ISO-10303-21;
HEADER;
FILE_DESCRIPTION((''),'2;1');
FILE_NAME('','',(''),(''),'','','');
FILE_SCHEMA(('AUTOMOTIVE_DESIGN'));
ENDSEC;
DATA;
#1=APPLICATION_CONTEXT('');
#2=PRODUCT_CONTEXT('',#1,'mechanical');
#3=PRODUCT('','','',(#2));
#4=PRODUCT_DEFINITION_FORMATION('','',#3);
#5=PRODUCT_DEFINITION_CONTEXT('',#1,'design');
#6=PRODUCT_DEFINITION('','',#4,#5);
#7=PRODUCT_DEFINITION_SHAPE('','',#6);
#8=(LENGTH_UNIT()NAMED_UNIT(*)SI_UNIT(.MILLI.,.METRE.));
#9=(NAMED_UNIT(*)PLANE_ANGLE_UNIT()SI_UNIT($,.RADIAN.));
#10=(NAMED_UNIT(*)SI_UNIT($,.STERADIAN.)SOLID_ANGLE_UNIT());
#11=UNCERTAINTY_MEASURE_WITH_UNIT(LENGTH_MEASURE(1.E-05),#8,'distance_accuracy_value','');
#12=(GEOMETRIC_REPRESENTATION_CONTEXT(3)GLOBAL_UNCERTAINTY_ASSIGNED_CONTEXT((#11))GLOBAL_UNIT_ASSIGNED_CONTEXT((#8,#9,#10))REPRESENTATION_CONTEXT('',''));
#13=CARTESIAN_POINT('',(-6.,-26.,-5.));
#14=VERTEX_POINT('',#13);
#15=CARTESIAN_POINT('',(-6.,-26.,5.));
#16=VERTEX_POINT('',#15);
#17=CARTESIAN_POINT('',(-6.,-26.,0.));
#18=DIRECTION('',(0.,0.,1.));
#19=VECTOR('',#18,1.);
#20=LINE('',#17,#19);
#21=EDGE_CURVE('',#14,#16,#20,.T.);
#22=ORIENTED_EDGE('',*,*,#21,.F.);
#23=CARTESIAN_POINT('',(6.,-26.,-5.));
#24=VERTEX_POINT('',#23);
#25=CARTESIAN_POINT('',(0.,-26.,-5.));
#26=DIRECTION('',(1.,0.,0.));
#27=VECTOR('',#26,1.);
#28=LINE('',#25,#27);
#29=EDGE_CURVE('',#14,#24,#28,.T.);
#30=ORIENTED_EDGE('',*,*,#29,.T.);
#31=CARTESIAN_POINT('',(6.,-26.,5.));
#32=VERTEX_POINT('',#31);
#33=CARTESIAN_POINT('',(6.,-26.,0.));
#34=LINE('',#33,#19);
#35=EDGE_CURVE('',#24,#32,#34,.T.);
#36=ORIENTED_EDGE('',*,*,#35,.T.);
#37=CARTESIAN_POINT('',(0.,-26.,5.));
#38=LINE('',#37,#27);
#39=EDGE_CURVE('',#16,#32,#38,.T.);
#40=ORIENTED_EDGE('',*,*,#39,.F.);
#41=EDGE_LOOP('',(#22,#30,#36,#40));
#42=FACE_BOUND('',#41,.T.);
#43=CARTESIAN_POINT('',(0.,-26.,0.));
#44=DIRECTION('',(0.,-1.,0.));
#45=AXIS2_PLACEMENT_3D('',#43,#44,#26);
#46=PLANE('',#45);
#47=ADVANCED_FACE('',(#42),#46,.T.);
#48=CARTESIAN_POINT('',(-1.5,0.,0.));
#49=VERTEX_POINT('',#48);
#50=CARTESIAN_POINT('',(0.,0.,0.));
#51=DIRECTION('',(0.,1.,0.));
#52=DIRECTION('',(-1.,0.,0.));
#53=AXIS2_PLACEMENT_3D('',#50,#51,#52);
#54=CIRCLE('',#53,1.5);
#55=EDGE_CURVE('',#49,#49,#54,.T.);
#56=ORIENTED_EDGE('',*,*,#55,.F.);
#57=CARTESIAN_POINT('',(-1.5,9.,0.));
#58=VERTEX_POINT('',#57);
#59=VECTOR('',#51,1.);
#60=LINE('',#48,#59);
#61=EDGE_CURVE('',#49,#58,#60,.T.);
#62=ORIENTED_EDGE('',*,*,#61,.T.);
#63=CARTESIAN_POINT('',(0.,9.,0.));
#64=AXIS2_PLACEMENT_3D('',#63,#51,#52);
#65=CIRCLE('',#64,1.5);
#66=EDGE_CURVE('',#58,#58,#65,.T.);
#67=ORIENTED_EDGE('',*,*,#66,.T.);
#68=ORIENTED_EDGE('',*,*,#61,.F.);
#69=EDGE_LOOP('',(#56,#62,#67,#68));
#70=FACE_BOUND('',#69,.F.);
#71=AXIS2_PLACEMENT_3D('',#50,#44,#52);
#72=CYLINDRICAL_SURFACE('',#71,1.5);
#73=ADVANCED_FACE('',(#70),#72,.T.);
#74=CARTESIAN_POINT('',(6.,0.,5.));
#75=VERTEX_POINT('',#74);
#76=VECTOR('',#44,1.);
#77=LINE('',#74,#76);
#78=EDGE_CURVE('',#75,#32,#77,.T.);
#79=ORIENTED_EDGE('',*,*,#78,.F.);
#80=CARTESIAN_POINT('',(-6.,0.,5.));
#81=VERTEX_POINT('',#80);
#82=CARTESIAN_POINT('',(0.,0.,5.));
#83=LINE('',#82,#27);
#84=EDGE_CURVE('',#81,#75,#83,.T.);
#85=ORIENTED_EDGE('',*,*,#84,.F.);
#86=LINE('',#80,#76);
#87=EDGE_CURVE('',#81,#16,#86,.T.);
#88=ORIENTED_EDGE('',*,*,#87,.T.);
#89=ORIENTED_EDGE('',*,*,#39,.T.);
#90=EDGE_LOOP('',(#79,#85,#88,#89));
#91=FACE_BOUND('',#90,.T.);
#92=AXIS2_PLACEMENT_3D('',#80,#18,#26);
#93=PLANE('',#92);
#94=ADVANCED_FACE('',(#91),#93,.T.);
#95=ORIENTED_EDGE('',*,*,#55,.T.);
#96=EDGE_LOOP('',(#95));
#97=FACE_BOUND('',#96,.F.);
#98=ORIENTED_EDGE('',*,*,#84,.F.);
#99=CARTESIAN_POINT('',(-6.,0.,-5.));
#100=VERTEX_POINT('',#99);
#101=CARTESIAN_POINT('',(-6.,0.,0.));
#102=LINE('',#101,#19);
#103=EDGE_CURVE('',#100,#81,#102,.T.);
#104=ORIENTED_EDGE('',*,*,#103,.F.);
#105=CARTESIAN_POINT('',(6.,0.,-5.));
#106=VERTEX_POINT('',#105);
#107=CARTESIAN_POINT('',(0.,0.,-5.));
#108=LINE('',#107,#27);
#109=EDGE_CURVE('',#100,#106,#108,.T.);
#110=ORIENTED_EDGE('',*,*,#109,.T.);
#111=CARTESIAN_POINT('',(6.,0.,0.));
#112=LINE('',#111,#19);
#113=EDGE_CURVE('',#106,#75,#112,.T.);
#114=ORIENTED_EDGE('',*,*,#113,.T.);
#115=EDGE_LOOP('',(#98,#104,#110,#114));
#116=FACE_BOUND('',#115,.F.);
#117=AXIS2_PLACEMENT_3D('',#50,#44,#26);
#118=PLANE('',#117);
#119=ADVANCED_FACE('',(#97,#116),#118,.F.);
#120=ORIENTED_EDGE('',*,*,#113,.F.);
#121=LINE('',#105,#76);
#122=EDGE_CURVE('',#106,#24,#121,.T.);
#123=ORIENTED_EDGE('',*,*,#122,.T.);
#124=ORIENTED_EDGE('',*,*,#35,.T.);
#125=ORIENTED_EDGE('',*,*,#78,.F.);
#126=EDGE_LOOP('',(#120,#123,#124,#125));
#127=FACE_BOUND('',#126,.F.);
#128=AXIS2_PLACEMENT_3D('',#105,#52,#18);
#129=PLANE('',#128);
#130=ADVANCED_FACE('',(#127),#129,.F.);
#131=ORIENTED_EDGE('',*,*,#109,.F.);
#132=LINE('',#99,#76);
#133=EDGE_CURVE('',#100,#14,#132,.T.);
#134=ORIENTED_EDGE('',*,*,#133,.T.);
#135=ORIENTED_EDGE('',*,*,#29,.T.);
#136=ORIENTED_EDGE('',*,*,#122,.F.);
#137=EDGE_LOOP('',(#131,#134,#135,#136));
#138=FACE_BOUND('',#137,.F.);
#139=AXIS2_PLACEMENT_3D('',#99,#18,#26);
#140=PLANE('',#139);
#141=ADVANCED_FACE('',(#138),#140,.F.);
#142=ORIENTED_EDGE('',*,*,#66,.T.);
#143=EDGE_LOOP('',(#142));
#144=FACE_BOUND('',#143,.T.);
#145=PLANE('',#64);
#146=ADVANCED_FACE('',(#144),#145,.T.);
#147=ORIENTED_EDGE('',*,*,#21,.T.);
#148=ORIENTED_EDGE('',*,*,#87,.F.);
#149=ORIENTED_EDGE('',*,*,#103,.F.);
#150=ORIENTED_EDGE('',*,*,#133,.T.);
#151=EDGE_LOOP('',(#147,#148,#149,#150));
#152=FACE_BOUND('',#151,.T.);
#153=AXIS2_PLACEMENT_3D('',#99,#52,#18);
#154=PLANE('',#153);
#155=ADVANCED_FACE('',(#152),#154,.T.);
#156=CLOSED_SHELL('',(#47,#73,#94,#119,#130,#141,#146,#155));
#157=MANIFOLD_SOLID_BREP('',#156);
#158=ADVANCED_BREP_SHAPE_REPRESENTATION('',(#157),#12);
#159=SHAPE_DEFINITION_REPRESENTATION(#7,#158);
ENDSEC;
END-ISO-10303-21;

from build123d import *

# Parameters (mm, degrees)
F0_W     = 12
F0_H     = 10
F1_DEPTH = 26
F2_R     = 1.5
F3_DEPTH = 9


with BuildPart() as f1:
    # F0 (on Front) → F1 (new body)
    with BuildSketch(Plane.XZ):
        Rectangle(F0_W, F0_H)
    extrude(amount=F1_DEPTH)

    # F2 (on face) → F3 (join)
    with BuildSketch(Plane(origin=(0, 0, 0), x_dir=(-1, 0, 0), z_dir=(0, 1, 0))):
        Circle(F2_R)
    extrude(amount=F3_DEPTH)


solid = f1.part
